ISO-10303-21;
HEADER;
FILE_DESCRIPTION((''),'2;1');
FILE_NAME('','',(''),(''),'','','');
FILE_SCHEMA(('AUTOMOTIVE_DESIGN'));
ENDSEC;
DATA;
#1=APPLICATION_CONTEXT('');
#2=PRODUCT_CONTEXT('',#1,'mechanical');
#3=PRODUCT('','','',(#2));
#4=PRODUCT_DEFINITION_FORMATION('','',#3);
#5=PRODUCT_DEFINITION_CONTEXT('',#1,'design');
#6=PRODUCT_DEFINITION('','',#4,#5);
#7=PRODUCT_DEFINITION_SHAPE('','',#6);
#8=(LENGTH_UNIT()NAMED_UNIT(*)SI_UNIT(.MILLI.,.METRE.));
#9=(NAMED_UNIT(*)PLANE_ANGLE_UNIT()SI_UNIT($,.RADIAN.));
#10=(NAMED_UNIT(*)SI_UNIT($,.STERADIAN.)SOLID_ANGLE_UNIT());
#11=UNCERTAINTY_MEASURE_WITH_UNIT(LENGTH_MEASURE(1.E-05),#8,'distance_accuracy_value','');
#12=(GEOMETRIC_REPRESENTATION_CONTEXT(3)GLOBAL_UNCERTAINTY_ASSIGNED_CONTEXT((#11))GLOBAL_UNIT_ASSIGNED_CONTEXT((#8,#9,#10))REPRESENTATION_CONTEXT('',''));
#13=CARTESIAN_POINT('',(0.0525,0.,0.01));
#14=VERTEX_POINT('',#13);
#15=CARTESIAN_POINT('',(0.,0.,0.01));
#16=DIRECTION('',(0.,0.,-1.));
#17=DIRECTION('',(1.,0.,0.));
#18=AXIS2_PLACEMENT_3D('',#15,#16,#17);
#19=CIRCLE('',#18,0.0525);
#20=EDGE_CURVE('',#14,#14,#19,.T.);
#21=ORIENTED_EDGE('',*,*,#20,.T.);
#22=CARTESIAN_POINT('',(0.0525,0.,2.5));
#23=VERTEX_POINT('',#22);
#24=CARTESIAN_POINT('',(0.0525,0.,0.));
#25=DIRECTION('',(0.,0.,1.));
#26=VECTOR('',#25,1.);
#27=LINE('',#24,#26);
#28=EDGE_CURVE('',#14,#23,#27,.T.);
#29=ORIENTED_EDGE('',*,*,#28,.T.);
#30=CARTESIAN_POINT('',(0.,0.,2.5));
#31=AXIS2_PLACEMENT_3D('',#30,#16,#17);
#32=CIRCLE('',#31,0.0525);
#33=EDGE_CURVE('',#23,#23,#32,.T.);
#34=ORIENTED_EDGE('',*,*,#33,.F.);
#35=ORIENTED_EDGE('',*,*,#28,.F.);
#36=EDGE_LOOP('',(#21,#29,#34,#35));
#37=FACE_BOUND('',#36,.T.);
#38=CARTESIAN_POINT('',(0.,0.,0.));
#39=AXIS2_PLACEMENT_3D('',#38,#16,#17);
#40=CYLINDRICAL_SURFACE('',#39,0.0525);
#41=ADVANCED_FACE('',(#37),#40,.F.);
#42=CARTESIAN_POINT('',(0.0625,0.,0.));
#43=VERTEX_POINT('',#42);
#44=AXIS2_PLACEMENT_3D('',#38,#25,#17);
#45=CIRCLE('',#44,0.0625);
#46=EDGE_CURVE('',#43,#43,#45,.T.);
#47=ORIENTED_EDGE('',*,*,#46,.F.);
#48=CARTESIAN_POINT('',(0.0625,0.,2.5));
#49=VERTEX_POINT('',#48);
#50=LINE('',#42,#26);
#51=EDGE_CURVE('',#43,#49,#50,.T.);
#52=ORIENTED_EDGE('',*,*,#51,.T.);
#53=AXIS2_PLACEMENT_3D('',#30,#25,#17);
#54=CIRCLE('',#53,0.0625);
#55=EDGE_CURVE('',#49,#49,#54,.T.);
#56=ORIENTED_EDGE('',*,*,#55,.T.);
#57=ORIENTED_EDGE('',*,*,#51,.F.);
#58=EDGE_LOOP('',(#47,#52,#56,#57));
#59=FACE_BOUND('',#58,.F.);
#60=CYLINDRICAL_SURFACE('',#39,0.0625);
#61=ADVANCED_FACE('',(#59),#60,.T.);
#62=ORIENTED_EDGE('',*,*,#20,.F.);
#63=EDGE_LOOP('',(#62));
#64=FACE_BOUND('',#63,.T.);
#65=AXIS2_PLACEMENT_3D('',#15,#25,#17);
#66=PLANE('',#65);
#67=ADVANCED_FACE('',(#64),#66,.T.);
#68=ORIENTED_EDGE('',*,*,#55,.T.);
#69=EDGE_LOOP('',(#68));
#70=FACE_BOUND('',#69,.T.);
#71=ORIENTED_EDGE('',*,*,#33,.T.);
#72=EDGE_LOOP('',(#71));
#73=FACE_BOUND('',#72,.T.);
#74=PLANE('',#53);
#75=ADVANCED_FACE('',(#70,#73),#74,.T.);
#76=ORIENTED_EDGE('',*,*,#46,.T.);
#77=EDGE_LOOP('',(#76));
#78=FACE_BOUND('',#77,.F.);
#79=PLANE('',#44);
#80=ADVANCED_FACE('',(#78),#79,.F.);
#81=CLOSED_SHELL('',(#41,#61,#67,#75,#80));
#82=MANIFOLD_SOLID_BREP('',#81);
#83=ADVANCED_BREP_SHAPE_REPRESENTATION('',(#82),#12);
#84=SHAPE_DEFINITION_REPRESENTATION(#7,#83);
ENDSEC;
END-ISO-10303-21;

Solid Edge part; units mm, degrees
sketch "Sketch1" plane through (0, 0, 0) normal (0, 0, 1) x (1, 0, 0)
  circle A0 centre (0, 0) radius 0.0625
  dimension "D1" = 0.125
extrude "Protrusion1" add sketch "Sketch1" along normal blind 2.5
shell "Dünnwand_1" thickness 0.01 removed faces 1 at (-0.0429, -0.0404, 2.5)
